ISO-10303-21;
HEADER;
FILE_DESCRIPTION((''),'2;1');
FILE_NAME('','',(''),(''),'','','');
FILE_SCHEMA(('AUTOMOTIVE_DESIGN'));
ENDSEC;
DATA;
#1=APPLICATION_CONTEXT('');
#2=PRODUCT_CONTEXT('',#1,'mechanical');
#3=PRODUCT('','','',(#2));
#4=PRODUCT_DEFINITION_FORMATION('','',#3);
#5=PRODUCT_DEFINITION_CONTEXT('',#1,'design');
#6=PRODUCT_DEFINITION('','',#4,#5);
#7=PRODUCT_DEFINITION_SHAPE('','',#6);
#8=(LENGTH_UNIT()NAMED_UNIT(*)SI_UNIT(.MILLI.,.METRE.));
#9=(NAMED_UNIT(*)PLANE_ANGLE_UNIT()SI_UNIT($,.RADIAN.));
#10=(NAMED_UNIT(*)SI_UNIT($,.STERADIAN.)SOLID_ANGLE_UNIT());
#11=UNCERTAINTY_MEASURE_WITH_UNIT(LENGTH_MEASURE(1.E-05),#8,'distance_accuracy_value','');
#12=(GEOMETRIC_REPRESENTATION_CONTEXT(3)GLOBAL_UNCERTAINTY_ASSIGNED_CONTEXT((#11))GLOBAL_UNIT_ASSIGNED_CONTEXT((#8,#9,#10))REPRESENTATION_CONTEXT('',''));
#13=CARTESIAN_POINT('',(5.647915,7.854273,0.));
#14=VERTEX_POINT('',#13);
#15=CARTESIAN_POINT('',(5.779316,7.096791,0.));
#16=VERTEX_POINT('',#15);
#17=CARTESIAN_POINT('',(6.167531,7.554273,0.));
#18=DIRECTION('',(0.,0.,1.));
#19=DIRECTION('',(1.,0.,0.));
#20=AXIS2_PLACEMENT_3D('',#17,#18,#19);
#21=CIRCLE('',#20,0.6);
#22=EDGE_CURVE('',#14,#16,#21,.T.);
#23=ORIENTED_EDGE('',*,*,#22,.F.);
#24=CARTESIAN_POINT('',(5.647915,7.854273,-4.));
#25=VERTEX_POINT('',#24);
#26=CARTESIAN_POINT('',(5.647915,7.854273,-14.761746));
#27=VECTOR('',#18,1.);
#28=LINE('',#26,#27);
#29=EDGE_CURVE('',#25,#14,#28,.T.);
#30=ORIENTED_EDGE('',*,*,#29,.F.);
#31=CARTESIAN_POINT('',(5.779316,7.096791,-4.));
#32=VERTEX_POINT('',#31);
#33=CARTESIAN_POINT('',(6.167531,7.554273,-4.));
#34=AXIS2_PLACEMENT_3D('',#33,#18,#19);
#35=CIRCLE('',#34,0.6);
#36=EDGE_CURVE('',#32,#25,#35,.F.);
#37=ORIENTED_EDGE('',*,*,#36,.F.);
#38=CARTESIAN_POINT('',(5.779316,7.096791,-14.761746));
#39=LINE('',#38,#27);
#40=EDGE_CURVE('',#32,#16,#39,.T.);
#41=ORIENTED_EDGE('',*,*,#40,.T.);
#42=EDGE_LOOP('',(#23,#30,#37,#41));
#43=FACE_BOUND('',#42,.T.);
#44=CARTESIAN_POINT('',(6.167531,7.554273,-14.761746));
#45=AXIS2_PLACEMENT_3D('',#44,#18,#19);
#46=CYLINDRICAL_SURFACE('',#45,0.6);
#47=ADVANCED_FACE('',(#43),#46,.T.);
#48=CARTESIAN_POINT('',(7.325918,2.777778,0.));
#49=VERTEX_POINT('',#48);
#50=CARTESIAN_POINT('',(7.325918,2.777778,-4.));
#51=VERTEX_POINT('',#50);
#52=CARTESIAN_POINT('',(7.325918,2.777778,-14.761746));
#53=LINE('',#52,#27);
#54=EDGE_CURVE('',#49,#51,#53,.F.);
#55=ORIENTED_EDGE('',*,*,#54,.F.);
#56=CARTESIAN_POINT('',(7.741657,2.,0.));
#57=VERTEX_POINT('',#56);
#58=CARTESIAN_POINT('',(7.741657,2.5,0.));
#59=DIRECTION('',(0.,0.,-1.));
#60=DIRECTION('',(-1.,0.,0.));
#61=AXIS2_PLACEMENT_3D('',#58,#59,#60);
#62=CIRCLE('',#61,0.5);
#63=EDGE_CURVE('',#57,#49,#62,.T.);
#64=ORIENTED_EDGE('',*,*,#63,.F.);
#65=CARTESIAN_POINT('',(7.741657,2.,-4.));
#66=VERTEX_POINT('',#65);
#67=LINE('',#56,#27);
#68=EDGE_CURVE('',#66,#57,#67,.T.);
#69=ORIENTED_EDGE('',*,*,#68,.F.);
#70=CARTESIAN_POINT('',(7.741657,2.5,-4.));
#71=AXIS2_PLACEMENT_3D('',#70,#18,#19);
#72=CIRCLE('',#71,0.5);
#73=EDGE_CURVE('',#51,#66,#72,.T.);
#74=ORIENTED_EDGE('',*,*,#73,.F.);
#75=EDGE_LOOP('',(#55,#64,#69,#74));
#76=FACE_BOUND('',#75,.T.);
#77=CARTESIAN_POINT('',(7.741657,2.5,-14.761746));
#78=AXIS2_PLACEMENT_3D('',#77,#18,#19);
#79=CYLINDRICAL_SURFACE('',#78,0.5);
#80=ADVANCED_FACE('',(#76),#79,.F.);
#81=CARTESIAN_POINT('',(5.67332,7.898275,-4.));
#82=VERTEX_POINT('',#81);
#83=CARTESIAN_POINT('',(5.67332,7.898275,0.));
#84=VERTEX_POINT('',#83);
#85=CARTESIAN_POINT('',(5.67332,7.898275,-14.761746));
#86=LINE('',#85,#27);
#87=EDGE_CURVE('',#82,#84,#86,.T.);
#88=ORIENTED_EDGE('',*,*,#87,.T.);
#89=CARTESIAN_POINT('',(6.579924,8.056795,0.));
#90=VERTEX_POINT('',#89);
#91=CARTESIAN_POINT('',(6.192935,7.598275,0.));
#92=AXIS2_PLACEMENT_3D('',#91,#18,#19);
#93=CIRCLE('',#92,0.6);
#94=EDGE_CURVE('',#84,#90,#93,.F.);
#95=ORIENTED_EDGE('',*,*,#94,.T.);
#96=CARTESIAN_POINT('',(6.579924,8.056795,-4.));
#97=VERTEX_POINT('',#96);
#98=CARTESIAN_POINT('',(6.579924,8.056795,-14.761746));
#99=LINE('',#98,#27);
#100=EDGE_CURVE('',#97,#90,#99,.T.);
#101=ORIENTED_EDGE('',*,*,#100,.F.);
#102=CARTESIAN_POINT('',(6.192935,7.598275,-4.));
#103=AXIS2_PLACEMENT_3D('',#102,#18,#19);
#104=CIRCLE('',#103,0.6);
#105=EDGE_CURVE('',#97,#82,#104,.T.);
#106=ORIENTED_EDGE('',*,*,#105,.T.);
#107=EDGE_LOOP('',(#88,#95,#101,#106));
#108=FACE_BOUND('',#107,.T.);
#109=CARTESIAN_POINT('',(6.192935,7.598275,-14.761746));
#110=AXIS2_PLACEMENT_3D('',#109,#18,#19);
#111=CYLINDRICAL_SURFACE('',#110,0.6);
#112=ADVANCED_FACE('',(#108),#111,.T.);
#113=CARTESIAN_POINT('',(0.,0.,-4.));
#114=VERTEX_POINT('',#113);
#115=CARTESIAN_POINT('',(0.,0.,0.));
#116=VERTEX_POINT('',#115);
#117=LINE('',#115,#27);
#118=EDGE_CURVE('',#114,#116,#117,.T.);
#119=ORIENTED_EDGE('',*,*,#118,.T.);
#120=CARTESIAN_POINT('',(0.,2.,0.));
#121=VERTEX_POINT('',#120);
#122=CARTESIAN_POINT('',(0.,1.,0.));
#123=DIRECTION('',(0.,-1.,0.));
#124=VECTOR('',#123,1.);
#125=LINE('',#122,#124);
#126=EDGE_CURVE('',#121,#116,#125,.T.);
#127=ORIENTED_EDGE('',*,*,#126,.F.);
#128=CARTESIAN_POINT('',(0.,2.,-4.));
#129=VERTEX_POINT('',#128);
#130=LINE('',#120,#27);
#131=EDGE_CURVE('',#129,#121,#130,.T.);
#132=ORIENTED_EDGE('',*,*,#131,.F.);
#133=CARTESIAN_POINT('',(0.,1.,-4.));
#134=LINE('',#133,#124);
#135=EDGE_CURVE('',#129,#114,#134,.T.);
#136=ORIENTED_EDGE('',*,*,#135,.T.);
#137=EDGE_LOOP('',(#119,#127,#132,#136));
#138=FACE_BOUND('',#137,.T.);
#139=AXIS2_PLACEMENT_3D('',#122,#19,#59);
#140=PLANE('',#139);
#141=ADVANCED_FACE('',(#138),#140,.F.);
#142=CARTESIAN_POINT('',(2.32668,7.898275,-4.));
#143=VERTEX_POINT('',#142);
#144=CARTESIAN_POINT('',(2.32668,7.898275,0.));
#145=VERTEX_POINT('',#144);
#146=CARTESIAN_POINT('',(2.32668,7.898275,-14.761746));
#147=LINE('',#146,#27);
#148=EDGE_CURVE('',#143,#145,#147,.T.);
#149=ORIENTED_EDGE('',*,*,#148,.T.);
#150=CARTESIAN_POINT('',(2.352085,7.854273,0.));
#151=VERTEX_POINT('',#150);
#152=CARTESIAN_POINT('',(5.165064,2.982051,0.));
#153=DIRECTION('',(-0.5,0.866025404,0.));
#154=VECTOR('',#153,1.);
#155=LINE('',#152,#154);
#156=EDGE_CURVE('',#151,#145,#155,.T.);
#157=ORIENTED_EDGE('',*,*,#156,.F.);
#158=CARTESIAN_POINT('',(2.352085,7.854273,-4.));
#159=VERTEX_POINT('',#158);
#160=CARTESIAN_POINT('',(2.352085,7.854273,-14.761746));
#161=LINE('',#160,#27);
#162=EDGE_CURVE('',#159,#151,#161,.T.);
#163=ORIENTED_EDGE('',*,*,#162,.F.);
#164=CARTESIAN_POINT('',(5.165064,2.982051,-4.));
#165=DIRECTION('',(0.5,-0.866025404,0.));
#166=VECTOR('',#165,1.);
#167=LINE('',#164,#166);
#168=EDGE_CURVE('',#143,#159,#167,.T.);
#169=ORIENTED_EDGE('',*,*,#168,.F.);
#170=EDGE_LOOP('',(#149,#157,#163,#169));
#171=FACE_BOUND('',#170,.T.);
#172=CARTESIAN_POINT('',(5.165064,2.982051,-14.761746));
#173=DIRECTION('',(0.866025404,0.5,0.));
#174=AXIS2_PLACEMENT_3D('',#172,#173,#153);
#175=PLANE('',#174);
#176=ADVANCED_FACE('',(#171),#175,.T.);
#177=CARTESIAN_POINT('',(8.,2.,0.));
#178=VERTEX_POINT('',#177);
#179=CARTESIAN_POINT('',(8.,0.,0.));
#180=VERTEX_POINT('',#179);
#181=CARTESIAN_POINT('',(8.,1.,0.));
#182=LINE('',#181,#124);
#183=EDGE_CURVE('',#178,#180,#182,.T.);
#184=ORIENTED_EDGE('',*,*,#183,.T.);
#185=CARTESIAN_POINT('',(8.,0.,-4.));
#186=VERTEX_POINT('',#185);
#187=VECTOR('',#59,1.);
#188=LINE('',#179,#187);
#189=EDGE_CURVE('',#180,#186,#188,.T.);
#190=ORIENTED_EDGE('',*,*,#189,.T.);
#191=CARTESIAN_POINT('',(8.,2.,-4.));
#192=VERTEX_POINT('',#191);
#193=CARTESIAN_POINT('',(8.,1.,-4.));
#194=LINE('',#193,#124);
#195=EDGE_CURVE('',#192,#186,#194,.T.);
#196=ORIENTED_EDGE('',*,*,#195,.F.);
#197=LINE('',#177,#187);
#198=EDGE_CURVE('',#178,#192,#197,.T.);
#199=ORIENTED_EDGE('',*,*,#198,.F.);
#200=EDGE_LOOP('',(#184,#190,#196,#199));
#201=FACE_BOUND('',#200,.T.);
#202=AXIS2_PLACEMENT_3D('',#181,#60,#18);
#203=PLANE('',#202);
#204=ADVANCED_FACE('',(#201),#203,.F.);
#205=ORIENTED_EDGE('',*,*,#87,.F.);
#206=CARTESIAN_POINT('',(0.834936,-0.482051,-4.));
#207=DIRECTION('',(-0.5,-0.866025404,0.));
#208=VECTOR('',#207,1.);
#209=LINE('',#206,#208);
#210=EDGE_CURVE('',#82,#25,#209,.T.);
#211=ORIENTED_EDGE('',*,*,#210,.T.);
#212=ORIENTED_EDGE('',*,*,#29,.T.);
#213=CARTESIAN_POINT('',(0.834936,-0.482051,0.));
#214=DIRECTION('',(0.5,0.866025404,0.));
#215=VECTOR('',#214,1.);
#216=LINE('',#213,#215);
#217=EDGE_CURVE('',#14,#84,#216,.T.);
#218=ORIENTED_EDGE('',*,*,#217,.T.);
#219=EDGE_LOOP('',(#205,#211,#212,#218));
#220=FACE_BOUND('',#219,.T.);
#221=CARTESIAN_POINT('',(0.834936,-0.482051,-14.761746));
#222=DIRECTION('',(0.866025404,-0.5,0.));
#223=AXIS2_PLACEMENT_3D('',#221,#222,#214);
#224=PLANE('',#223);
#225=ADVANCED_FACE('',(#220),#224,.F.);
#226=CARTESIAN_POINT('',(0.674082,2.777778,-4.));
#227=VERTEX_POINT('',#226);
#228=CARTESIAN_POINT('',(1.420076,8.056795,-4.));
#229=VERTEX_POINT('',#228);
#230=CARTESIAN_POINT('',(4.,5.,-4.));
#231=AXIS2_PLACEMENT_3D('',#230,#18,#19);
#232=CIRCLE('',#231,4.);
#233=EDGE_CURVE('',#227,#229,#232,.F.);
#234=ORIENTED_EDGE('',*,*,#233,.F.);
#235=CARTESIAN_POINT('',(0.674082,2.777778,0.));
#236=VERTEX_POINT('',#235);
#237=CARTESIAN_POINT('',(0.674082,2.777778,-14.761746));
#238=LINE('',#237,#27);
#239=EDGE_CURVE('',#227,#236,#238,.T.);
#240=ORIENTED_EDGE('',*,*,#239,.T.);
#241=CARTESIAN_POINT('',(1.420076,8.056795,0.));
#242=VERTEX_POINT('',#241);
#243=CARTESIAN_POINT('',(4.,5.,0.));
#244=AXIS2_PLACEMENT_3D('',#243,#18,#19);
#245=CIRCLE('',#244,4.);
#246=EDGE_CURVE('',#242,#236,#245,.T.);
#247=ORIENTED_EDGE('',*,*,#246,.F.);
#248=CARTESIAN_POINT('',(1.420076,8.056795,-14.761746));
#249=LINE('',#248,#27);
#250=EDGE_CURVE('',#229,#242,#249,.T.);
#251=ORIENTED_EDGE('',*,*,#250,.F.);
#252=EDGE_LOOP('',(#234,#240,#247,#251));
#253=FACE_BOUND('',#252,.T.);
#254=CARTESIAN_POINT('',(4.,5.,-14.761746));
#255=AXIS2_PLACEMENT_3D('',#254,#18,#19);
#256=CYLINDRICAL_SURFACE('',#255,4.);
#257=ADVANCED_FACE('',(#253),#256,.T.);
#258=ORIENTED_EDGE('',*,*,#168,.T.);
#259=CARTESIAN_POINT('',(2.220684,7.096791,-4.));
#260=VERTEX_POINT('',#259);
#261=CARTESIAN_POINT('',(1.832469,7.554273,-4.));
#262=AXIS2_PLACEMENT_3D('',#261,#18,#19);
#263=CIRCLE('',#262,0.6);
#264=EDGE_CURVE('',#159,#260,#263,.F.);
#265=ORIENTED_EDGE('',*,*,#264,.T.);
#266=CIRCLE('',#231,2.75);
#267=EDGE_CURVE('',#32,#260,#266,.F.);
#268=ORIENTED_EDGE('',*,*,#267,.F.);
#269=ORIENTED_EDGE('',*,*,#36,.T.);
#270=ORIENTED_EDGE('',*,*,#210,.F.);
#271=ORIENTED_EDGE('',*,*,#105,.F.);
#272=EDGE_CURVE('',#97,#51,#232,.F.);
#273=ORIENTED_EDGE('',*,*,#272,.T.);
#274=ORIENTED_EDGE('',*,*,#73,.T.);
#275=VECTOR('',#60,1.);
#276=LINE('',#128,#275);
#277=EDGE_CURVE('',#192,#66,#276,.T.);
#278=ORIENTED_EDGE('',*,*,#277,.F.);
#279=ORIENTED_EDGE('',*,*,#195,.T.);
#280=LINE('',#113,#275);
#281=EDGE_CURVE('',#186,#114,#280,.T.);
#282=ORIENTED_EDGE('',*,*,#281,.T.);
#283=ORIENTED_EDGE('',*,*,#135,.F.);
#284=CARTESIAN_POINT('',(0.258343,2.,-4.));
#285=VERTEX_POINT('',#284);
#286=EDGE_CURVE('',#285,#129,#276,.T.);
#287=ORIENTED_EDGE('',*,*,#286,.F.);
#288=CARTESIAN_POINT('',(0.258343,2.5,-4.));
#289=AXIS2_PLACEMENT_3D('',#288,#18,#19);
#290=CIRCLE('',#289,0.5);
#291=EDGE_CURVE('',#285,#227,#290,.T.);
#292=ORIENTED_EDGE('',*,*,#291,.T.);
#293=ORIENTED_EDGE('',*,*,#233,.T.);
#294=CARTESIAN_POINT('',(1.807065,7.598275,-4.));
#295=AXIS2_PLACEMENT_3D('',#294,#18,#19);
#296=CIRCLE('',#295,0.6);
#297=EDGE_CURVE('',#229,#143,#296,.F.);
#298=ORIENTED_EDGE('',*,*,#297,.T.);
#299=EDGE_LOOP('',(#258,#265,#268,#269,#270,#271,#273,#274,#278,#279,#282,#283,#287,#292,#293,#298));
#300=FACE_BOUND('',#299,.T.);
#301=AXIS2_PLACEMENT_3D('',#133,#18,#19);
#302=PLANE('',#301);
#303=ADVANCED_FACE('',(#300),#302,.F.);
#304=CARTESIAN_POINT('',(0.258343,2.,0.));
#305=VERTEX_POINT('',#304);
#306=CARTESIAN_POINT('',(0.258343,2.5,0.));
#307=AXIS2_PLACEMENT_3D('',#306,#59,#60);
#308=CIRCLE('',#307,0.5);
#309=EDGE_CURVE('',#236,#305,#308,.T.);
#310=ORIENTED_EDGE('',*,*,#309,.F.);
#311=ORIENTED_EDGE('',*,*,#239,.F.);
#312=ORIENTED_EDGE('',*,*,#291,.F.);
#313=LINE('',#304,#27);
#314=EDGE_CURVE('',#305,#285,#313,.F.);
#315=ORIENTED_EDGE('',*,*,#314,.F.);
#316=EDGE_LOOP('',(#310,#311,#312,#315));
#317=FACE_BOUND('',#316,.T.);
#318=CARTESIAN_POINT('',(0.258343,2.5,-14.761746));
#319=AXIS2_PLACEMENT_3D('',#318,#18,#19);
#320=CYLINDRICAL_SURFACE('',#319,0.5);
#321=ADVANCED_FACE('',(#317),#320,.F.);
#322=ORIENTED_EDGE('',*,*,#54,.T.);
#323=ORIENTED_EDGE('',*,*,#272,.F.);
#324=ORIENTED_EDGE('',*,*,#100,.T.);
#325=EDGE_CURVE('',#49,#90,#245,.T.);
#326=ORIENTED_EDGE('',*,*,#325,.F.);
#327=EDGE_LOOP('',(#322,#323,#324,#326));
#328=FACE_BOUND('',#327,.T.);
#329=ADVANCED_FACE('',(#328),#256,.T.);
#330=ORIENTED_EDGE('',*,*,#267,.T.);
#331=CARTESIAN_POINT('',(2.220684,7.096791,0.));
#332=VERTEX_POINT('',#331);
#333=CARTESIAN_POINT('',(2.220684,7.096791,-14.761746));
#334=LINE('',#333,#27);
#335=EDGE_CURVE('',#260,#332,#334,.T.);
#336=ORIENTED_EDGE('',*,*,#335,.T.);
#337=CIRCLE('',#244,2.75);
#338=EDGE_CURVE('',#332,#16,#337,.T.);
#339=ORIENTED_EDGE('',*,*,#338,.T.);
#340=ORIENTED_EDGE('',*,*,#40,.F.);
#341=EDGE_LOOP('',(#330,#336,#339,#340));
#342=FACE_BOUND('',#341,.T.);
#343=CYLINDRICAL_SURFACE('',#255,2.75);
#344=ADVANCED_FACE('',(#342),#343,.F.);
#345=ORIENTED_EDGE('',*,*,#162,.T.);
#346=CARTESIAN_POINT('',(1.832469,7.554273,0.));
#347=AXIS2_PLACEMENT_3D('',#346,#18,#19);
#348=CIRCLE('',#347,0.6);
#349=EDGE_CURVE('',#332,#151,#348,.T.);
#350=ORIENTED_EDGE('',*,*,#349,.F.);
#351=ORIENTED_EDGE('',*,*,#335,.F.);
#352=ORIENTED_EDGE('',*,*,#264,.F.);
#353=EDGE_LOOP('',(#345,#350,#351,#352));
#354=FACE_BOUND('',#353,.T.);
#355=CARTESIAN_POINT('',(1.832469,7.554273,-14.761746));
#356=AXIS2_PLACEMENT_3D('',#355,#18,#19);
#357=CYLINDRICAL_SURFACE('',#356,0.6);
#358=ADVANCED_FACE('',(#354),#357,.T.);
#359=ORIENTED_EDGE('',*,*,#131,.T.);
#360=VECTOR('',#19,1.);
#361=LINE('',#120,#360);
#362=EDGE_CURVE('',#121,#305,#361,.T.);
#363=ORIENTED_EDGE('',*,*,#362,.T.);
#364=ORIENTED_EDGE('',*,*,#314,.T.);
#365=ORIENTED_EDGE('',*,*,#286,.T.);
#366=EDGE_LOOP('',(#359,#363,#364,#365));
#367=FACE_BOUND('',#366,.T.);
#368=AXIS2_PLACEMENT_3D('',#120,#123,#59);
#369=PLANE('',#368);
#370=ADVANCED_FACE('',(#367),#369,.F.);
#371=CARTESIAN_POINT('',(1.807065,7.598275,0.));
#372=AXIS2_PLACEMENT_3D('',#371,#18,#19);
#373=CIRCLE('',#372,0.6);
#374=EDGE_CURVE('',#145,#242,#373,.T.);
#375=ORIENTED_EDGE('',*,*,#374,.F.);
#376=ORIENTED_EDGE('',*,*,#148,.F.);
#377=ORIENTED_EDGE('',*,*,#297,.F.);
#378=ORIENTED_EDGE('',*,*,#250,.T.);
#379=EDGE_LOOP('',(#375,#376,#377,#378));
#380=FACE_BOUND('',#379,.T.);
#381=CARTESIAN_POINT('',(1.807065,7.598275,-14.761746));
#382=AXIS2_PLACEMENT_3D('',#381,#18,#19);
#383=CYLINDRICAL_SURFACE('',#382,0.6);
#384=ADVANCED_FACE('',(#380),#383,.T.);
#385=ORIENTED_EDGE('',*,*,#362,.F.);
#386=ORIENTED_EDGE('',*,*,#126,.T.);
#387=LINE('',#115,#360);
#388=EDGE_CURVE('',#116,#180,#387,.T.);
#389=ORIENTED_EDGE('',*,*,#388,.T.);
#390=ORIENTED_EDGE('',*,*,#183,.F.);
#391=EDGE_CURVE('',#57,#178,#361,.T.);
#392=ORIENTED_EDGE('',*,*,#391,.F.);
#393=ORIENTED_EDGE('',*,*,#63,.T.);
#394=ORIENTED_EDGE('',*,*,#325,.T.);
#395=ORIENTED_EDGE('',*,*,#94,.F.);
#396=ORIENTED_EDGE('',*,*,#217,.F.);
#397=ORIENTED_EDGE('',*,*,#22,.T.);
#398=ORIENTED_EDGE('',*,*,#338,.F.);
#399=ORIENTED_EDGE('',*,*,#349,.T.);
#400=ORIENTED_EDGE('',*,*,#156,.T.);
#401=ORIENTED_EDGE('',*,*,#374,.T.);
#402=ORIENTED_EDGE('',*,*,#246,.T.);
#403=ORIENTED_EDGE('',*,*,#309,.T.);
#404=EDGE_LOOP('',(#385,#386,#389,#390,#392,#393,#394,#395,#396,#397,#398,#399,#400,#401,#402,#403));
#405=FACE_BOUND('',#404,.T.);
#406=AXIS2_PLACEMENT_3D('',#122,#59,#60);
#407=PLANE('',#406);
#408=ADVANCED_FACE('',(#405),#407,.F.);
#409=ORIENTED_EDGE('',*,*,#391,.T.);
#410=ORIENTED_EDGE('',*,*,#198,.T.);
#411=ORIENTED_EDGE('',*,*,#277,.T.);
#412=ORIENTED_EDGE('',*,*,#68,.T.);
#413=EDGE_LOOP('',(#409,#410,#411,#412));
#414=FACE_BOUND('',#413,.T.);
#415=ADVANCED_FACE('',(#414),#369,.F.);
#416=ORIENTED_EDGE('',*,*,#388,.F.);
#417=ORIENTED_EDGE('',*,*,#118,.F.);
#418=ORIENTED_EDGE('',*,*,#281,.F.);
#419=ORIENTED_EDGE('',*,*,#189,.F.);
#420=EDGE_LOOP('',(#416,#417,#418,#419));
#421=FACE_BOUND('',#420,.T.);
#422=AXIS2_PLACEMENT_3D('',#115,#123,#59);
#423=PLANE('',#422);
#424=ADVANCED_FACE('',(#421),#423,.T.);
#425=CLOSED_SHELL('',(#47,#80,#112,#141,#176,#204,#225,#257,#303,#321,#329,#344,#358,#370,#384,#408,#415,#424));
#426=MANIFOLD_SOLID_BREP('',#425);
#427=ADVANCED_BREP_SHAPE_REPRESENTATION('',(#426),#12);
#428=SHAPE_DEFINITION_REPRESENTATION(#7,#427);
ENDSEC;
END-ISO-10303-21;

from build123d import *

# Parameters (mm, degrees)
SKETCH_1_W      = 8
SKETCH_1_H      = 4
EXTRUDE_1_DEPTH = 1
EXTRUDE_2_DEPTH = 4
SKETCH_1_2_W    = 8
SKETCH_1_2_H    = 4
EXTRUDE_3_DEPTH = 2
FILLET_1_R      = 0.5


with BuildPart() as part:
    # 草图1 → 凸台-拉伸1 (new body)
    with BuildSketch(Plane(origin=(0, 0, 0), x_dir=(1, 0, 0), z_dir=(0, 1, 0))):
        with Locations((4, 2)):
            Rectangle(SKETCH_1_W, SKETCH_1_H)
    extrude(amount=EXTRUDE_1_DEPTH)



with BuildPart() as body_2:
    # 草图2 → 凸台-拉伸2 (new body)
    with BuildSketch(Plane.XY):
        with BuildLine():
            ThreePointArc((5.779316158, 7.096791361), (6.581537937, 4.052285972), (4, 2.25))
            Line((4, 2.25), (4, 1))
            ThreePointArc((4, 1), (7.756805699, 3.626533239), (6.579923877, 8.056794529))
            ThreePointArc((6.579923877, 8.056794529), (6.089593434, 8.189308732), (5.673320053, 7.898275349))
            Line((5.673320053, 7.898275349), (5.64791535, 7.854273112))
            ThreePointArc((5.64791535, 7.854273112), (5.57635944, 7.451722303), (5.779316158, 7.096791361))
        make_face()
        with BuildLine():
            ThreePointArc((2.220683842, 7.096791361), (2.42364056, 7.451722303), (2.35208465, 7.854273112))
            Line((2.35208465, 7.854273112), (2.326679947, 7.898275349))
            ThreePointArc((2.326679947, 7.898275349), (1.910406566, 8.189308732), (1.420076123, 8.056794529))
            ThreePointArc((1.420076123, 8.056794529), (0.243194301, 3.626533239), (4, 1))
            Line((4, 1), (4, 2.25))
            ThreePointArc((4, 2.25), (1.418462063, 4.052285972), (2.220683842, 7.096791361))
        make_face()
    extrude(amount=-EXTRUDE_2_DEPTH)


with BuildPart() as part_1:
    add(part.part)

    add(body_2.part)  # 凸台-拉伸3 merges body 2
    # 草图1<2> → 凸台-拉伸3 (add)
    with BuildSketch(Plane(origin=(0, 0, 0), x_dir=(1, 0, 0), z_dir=(0, 1, 0))):
        with Locations((4, 2)):
            Rectangle(SKETCH_1_2_W, SKETCH_1_2_H)
    extrude(amount=EXTRUDE_3_DEPTH)

    # 圆角1
    fillet_1_edges = [part_1.edges().sort_by_distance(p)[0] for p in [
        (1.354248689, 2, -2),
        (6.645751311, 2, -2),
    ]]
    fillet(fillet_1_edges, radius=FILLET_1_R)


solid = part_1.part
